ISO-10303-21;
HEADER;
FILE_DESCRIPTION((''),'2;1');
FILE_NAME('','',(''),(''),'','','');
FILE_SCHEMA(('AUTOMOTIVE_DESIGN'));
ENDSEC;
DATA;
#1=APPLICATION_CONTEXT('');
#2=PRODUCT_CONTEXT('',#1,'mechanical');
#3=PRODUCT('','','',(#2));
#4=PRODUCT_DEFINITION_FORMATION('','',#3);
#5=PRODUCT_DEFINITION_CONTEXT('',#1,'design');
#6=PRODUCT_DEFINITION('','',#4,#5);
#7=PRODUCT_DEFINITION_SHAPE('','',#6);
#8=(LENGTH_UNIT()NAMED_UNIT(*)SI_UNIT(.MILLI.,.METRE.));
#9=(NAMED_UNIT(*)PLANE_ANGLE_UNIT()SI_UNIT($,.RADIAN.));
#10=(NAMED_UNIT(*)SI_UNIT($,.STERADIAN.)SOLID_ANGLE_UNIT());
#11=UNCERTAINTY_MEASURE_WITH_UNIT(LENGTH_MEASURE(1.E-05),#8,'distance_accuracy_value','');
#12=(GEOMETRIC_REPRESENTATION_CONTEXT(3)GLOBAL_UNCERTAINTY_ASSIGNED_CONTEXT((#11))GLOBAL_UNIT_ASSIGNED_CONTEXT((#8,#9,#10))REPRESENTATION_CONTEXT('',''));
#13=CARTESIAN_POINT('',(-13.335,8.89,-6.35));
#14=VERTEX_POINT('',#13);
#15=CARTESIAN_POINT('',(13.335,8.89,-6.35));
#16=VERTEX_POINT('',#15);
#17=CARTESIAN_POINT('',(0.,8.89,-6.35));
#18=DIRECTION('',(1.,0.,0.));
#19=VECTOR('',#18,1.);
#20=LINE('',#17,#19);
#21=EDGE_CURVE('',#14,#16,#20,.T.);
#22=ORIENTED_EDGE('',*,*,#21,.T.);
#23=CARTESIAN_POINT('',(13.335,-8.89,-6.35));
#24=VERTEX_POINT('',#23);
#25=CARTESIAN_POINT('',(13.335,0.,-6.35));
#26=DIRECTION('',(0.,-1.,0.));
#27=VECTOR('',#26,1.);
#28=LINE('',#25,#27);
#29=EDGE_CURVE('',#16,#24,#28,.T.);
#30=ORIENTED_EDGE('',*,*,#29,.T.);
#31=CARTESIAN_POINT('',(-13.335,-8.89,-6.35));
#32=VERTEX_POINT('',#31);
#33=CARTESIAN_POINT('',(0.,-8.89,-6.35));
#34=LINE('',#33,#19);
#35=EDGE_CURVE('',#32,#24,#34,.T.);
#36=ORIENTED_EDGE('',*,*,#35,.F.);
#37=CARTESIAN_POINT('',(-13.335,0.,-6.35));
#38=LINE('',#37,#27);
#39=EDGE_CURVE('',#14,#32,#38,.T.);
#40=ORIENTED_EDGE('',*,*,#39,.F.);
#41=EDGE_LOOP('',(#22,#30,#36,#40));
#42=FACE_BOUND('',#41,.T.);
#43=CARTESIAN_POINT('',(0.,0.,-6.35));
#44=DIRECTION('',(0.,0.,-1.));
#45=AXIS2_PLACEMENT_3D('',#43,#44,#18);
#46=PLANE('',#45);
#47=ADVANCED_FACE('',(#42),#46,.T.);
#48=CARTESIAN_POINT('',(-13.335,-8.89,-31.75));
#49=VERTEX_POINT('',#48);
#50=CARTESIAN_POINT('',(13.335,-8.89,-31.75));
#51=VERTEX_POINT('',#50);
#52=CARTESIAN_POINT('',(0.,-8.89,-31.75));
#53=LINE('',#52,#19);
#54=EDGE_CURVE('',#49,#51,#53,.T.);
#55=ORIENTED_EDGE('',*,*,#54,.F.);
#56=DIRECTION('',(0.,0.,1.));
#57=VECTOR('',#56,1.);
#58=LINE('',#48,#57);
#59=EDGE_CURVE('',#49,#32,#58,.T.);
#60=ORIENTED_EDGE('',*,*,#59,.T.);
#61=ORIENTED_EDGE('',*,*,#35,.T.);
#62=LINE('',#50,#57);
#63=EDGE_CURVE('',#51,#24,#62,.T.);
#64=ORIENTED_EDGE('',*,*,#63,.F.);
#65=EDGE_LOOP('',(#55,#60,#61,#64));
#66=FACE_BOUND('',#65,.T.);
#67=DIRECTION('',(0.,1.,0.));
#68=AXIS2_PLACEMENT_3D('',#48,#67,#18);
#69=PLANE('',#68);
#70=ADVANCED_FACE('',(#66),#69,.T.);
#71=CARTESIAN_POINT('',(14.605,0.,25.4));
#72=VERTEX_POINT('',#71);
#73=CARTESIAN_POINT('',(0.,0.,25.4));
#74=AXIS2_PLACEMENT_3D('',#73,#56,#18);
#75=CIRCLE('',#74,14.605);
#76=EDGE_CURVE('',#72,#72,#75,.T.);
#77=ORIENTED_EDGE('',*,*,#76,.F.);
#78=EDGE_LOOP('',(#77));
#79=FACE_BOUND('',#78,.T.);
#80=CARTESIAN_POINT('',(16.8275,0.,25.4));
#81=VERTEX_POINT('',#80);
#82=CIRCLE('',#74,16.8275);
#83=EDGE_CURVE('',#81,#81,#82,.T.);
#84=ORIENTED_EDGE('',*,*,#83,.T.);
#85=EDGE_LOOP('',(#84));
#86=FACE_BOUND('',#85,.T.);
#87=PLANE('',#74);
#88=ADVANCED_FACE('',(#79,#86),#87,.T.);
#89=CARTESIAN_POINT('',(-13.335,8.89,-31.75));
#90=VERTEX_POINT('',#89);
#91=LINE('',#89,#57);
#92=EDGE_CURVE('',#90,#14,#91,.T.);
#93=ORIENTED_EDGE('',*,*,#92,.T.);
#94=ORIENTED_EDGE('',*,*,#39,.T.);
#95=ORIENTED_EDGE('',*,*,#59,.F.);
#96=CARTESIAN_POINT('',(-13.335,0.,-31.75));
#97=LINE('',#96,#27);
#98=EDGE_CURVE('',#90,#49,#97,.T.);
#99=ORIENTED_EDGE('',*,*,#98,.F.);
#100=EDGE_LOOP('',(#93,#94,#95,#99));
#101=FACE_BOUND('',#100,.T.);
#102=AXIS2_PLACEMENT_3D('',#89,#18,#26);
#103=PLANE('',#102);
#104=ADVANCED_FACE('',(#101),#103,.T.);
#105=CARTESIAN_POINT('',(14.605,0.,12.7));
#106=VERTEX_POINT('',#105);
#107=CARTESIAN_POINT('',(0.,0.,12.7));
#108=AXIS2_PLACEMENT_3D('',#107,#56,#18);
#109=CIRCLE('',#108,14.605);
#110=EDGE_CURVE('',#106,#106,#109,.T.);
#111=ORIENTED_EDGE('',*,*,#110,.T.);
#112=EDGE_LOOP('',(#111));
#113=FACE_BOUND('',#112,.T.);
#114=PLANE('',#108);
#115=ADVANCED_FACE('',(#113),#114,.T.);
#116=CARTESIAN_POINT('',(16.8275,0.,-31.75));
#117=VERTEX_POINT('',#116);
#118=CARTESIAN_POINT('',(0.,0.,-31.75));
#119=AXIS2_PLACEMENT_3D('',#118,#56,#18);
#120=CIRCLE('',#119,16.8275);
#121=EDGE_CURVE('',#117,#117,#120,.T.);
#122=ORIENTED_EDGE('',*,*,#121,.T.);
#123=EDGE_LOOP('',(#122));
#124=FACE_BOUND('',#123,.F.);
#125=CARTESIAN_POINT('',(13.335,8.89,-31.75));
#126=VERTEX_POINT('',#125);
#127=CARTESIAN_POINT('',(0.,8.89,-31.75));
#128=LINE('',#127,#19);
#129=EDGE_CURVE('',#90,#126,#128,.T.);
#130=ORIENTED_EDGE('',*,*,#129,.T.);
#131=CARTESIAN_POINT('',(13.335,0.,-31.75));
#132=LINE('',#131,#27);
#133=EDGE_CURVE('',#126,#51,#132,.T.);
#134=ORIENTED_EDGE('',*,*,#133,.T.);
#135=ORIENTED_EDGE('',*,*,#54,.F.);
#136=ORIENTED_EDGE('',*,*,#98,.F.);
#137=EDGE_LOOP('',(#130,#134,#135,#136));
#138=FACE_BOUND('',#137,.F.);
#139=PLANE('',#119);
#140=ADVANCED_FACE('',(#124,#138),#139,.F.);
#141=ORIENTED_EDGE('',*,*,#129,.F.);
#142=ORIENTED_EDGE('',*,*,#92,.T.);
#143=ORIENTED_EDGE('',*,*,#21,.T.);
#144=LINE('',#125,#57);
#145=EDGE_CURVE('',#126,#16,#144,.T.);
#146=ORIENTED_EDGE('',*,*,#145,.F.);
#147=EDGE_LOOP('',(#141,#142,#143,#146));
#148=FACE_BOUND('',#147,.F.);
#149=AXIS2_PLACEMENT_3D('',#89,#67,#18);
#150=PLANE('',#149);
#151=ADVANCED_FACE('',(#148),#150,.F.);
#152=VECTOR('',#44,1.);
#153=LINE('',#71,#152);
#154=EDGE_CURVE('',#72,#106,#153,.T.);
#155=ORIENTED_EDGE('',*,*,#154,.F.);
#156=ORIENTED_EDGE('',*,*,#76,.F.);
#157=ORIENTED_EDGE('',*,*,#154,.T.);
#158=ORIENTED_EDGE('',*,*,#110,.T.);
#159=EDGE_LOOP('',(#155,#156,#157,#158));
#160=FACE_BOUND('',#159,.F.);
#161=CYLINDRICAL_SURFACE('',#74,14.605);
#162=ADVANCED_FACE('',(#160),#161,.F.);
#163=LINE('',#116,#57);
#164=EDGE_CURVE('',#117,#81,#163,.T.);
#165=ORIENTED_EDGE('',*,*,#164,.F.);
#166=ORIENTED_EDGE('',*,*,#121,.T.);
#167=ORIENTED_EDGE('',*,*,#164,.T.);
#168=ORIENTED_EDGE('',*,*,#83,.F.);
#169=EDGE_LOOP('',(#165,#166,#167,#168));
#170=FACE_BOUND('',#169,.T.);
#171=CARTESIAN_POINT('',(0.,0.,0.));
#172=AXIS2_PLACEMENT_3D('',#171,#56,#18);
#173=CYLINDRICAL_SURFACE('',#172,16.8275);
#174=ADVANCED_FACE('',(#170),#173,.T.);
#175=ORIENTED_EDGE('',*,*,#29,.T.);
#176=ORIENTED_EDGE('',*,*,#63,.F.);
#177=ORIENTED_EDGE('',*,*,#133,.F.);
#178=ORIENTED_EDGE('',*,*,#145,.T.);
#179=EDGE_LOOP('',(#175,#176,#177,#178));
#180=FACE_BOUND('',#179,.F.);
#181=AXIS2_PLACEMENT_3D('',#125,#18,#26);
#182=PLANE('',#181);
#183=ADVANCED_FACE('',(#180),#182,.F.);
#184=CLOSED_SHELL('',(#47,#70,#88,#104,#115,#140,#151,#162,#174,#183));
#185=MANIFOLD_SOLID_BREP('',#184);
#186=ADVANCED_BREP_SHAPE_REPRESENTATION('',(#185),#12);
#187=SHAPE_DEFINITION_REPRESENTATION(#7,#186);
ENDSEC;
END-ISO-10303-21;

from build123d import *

# Parameters (mm, degrees)
F0_R          = 16.8275
F1_DEPTH      = 25.4
F1_DEPTH_BACK = 31.75
F3_R          = 14.605
F4_DEPTH      = 12.7
F6_W          = 26.67
F6_H          = 17.78
F7_DEPTH      = 25.4


with BuildPart() as f1:
    # F0 (on Top) → F1 (new body, two sides)
    with BuildSketch(Plane.XY) as f1_sk:
        Circle(F0_R)
    extrude(amount=F1_DEPTH)
    extrude(f1_sk.sketch, amount=-F1_DEPTH_BACK)

    # F3 (on offset) → F4 (cut)
    with BuildSketch(Plane.XY.offset(25.4)):
        Circle(F3_R)
    extrude(amount=-F4_DEPTH, mode=Mode.SUBTRACT)

    # F6 (on offset) → F7 (cut)
    with BuildSketch(Plane(origin=(0, 0, -31.75), x_dir=(1, 0, 0), z_dir=(0, 0, -1))):
        Rectangle(F6_W, F6_H)
    extrude(amount=-F7_DEPTH, mode=Mode.SUBTRACT)


solid = f1.part
